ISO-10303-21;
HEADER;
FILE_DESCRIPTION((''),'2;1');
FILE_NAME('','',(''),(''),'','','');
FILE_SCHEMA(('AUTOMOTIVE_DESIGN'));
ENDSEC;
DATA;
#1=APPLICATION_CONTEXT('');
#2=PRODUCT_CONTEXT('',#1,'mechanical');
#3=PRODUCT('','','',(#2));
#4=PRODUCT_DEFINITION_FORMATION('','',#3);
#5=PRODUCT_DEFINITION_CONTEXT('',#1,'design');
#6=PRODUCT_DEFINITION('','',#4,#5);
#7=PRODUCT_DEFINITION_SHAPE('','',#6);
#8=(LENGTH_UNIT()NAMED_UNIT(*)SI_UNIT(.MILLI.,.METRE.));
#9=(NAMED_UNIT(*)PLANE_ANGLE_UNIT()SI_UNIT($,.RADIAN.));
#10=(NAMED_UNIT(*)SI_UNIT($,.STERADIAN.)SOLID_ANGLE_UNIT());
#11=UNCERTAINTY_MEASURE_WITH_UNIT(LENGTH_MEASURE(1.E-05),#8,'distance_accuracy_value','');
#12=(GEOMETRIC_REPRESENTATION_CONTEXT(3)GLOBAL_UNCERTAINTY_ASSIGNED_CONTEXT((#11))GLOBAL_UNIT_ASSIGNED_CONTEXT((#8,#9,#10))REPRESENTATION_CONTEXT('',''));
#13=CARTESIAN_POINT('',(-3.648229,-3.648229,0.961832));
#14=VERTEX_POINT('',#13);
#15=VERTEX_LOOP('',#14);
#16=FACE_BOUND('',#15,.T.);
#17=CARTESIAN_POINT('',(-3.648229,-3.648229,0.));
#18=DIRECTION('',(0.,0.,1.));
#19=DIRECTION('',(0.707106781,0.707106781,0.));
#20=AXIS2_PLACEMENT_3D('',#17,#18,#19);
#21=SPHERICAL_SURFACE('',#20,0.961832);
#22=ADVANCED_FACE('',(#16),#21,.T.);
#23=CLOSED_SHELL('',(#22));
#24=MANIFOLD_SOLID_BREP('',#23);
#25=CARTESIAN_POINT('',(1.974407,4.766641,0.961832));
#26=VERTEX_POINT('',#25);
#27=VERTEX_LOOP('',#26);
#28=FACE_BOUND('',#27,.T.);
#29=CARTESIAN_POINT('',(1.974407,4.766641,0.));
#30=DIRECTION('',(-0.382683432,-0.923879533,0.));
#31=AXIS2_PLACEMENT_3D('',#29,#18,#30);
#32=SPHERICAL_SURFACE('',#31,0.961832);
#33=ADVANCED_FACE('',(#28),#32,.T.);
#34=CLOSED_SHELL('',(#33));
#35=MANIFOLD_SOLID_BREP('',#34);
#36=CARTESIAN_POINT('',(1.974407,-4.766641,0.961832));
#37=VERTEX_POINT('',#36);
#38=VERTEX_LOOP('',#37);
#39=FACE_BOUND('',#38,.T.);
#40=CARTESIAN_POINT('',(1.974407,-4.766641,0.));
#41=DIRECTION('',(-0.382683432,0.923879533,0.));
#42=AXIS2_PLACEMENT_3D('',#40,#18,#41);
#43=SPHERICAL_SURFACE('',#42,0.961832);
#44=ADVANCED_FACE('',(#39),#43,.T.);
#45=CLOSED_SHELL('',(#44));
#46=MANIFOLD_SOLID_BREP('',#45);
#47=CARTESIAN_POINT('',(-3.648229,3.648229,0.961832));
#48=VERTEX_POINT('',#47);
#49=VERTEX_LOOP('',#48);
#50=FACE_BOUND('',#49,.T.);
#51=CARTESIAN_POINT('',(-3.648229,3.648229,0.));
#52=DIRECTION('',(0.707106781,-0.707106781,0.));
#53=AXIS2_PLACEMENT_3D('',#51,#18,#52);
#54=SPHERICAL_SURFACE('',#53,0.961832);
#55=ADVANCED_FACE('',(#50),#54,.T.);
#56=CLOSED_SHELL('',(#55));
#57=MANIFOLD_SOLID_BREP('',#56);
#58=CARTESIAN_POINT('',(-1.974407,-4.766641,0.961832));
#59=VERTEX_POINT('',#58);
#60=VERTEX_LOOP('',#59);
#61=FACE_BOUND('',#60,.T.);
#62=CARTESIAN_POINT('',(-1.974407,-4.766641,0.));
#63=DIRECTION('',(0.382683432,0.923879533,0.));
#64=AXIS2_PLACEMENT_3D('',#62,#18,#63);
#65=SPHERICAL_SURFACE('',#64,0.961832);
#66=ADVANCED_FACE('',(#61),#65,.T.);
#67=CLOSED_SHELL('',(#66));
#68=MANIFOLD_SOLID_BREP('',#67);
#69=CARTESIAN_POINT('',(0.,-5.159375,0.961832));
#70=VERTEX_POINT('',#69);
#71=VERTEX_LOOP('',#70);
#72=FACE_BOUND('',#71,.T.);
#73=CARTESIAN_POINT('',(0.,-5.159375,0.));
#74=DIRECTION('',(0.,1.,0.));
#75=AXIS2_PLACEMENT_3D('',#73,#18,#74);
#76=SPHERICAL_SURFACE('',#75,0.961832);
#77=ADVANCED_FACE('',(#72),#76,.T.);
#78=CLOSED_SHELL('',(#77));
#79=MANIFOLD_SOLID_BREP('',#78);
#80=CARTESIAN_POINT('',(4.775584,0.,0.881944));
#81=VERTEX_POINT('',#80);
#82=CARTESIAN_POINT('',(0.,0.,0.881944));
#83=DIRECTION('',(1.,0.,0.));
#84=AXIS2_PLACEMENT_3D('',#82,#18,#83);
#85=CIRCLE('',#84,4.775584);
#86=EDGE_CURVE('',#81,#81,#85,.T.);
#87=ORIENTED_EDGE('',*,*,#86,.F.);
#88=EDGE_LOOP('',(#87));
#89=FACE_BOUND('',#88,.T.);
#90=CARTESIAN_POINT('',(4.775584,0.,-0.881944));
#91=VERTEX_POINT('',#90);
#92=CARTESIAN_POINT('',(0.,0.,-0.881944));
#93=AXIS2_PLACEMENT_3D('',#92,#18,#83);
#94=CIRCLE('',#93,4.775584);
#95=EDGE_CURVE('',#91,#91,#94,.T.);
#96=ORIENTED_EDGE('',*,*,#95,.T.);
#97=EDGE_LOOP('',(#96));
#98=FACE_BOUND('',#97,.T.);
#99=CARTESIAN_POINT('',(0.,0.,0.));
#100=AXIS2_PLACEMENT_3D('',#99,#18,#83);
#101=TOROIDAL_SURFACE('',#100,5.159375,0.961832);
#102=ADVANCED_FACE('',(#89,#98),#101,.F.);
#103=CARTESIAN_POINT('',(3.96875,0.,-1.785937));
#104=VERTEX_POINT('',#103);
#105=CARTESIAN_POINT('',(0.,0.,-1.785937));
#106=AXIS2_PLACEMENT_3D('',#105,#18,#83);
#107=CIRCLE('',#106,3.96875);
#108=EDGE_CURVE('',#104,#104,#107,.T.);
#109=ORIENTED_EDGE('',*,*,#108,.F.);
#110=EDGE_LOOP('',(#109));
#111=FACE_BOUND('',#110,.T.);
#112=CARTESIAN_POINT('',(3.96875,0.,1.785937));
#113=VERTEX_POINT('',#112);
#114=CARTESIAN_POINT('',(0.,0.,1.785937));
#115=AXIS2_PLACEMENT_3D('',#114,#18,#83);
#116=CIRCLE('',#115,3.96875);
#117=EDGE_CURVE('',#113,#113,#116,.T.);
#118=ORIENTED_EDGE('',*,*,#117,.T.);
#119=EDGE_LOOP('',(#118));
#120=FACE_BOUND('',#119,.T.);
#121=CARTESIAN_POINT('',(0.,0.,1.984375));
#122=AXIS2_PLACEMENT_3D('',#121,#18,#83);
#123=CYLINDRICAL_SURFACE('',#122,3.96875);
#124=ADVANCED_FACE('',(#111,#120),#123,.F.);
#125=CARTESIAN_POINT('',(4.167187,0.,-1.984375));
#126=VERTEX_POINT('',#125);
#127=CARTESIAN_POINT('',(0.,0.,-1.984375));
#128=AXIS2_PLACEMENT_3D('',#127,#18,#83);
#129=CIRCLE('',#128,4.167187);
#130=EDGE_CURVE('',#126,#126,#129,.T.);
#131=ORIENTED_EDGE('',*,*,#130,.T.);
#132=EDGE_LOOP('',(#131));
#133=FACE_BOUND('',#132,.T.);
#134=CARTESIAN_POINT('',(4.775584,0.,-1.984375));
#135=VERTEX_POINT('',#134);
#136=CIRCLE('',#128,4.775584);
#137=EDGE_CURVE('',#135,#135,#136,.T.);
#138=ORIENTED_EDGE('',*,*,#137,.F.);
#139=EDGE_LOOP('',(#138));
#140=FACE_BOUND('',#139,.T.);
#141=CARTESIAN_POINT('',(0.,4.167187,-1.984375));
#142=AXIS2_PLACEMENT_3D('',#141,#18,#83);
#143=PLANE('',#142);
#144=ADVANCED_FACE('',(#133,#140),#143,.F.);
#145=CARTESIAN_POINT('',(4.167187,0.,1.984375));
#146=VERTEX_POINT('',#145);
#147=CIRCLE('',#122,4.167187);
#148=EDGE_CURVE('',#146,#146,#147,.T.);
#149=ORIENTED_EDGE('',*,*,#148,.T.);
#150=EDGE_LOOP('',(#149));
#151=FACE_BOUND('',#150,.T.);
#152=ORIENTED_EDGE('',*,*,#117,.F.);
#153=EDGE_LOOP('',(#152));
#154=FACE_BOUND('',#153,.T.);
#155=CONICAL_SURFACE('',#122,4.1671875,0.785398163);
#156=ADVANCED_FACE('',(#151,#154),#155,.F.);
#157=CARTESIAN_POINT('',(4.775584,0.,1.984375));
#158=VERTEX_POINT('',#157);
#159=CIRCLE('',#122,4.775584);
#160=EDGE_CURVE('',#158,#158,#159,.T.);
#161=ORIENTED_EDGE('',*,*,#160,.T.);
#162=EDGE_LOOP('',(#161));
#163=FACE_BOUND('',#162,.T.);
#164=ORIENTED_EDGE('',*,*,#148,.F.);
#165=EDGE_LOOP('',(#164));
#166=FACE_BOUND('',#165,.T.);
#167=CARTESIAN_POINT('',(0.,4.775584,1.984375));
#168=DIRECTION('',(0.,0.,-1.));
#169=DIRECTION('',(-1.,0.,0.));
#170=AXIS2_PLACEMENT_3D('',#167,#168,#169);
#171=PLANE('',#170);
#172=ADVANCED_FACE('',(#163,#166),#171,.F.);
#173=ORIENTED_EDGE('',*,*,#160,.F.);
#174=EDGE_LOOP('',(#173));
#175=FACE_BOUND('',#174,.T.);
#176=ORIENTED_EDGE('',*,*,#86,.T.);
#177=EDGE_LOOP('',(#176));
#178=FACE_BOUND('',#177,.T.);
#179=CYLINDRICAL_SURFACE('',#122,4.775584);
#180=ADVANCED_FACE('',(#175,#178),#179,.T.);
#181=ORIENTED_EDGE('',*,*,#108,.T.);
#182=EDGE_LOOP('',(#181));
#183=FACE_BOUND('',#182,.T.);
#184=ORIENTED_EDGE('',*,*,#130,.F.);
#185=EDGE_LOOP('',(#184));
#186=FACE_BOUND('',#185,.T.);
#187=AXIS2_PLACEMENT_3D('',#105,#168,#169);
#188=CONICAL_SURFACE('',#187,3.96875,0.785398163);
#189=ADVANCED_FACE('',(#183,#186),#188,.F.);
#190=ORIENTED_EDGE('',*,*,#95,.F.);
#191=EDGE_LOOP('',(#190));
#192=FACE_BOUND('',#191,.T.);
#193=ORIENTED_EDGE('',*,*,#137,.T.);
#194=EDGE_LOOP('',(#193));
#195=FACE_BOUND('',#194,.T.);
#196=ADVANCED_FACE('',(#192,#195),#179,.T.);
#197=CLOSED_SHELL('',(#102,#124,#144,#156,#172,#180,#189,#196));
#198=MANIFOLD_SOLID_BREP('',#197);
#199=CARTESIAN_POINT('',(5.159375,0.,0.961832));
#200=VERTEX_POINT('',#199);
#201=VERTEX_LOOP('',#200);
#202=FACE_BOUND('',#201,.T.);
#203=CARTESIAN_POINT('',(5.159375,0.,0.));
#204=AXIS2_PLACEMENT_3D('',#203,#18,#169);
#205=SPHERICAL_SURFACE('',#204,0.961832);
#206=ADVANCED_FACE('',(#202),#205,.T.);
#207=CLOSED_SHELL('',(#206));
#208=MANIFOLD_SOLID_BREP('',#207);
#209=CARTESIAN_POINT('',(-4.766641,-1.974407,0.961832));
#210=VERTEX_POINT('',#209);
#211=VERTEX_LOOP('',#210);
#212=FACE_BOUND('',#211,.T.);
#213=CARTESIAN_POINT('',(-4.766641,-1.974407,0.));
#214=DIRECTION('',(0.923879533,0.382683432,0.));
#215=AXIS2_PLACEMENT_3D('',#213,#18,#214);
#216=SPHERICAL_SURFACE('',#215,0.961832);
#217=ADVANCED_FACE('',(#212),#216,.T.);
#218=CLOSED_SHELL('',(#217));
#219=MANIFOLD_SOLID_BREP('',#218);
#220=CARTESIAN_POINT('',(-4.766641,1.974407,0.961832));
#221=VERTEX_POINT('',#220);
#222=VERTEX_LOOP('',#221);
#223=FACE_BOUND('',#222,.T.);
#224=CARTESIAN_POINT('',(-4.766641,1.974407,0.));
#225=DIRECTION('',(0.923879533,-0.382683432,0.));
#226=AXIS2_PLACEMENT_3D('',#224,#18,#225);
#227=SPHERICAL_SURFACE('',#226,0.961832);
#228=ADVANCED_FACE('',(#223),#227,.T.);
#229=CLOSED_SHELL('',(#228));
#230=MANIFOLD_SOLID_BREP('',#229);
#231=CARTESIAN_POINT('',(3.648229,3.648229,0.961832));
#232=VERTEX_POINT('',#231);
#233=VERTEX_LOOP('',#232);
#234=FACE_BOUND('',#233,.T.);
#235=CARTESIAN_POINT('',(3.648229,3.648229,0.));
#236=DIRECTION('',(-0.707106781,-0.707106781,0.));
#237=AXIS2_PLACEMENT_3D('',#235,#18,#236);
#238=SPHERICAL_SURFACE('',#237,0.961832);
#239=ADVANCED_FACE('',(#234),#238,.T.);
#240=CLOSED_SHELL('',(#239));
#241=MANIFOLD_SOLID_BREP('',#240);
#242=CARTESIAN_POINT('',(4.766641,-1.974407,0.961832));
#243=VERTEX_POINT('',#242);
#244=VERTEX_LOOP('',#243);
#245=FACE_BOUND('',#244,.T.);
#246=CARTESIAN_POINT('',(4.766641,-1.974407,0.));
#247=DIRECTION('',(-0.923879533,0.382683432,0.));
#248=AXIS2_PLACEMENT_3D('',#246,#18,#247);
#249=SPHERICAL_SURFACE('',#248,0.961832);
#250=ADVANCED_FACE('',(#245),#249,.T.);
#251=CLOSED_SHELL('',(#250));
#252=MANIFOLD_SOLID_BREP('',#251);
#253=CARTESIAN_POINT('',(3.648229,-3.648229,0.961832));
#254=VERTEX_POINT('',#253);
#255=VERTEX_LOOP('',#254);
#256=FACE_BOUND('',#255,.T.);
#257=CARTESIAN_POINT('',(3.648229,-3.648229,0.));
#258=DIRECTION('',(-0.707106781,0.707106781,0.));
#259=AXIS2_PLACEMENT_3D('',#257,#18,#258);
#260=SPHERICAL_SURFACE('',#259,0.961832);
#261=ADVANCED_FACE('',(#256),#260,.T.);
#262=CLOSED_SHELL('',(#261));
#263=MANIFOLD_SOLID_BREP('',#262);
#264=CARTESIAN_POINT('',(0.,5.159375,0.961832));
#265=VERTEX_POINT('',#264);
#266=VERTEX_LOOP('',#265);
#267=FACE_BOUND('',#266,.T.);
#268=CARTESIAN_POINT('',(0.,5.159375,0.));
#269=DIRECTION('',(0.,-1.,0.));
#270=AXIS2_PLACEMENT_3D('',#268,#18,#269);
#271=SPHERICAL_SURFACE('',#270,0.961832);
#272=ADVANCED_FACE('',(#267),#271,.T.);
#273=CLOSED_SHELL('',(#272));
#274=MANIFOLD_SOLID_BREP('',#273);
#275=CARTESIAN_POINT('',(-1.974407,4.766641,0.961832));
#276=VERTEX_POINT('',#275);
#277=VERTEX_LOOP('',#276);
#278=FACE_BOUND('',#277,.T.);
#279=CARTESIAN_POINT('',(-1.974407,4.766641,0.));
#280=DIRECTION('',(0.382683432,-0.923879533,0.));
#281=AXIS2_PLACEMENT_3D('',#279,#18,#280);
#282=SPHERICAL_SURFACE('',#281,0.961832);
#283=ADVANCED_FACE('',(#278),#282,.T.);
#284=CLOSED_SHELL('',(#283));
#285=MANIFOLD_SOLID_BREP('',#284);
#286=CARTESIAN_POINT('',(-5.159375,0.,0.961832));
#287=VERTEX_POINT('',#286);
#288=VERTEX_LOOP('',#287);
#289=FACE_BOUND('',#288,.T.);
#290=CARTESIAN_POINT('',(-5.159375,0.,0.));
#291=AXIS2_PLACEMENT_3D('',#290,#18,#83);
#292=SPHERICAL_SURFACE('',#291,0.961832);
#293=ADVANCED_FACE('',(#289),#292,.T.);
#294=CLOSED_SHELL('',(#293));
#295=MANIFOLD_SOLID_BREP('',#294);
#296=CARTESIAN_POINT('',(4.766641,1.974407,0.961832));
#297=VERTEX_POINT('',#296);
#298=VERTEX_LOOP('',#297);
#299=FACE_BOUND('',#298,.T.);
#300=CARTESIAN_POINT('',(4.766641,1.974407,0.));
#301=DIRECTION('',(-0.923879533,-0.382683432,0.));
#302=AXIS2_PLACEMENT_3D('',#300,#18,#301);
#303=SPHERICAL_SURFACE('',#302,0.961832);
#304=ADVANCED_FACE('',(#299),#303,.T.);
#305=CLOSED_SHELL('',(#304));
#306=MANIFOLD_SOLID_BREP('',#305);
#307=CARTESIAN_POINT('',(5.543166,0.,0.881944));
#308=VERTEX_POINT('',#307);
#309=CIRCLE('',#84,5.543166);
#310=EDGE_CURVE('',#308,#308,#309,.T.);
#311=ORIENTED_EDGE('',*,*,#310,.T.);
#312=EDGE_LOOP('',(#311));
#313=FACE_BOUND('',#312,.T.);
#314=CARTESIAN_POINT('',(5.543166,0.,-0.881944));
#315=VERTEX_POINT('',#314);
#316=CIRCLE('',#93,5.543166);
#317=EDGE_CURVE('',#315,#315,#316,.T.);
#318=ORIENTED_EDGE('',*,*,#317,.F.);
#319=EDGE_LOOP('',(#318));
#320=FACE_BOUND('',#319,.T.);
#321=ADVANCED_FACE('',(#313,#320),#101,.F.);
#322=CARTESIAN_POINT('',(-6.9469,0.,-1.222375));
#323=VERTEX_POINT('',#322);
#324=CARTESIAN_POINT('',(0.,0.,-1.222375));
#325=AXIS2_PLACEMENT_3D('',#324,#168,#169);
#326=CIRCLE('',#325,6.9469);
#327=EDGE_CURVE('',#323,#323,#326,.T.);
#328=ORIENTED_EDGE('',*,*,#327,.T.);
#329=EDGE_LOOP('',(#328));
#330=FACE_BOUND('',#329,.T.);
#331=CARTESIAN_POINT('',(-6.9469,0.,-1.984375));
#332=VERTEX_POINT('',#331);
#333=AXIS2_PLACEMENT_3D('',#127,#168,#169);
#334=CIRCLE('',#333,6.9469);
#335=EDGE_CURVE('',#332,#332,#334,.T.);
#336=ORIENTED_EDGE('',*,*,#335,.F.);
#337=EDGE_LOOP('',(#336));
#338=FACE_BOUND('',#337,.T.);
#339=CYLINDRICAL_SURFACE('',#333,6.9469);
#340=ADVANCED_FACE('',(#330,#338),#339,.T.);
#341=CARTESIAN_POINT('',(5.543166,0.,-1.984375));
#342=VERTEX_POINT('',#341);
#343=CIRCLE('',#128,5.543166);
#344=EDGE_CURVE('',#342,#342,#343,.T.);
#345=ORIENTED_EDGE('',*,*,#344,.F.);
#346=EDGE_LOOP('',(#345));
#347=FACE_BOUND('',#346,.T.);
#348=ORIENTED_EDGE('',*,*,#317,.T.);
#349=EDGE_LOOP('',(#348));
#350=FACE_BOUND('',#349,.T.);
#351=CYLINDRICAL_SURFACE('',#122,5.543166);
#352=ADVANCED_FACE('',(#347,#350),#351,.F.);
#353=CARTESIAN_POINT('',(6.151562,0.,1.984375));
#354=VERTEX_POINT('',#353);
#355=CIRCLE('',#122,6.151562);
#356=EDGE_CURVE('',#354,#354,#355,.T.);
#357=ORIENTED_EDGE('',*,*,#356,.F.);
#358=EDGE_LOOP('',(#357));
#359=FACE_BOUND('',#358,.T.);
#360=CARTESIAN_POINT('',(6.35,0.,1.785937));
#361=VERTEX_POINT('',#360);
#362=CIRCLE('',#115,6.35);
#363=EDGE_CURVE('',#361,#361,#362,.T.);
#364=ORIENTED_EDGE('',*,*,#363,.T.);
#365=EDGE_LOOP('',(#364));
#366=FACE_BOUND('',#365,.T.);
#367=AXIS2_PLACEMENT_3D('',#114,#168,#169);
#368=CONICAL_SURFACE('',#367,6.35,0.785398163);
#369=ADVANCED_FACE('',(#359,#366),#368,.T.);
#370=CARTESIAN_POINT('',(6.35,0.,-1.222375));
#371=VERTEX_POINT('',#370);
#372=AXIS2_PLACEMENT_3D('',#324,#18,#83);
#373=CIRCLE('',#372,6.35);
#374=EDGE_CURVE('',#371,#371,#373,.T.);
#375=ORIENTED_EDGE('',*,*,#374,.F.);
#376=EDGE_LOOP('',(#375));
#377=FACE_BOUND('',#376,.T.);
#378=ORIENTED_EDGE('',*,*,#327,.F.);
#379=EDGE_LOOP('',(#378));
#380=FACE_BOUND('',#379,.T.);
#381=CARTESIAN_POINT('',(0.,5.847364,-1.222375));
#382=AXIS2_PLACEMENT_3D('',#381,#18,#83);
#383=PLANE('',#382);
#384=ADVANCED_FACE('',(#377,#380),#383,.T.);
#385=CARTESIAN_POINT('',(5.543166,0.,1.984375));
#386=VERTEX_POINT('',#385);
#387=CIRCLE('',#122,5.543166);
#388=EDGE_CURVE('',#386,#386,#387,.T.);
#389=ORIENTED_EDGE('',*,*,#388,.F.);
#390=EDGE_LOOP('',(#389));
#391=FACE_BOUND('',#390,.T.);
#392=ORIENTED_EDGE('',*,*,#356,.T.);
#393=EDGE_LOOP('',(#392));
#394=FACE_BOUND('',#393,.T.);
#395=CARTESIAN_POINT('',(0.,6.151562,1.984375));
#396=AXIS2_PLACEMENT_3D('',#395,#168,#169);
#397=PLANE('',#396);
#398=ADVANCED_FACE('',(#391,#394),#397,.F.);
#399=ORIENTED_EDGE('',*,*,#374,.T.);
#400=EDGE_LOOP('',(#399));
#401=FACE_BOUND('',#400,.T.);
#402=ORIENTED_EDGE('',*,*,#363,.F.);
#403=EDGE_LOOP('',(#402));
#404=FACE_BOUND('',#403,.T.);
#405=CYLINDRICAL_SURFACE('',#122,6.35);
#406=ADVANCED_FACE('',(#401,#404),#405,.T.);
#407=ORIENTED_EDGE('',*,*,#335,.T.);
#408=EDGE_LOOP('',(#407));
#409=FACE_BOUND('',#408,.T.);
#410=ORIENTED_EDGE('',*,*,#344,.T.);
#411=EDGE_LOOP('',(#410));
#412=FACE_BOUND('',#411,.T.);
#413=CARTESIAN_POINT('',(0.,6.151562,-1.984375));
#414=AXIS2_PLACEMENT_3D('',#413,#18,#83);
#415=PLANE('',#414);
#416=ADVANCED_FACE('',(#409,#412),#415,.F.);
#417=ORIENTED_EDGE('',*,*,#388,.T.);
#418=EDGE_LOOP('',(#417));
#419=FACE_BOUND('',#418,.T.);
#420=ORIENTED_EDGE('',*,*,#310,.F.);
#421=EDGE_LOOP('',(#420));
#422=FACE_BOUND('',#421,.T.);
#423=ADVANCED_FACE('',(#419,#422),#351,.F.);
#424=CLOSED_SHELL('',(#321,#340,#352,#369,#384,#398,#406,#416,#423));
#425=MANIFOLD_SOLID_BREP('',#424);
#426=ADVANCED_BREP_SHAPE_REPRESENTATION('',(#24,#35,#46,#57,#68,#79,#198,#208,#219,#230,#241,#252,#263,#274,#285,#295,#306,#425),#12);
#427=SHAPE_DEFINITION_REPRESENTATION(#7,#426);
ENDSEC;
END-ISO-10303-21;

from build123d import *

# Parameters (mm, degrees)
SKETCH5_W         = 0.762
SKETCH5_H         = 1.099535646
CIRPATTERN1_COUNT = 16


with BuildPart() as part:
    # Sketch1 → Revolve1 (revolve)
    with BuildSketch(Plane(origin=(0, 0, 0), x_dir=(0, 0, -1), z_dir=(1, 0, 0))):
        with BuildLine():
            Line((1.7859375, 6.35), (-1.7859375, 6.35))
            Line((-1.7859375, 6.35), (-1.984375, 6.1515625))
            Line((-1.984375, 6.1515625), (-1.984375, 5.543166209))
            Line((-1.984375, 5.543166209), (-0.881944444, 5.543166209))
            ThreePointArc((-0.881944444, 5.543166209), (0, 6.121207467), (0.881944444, 5.543166209))
            Line((0.881944444, 5.543166209), (1.984375, 5.543166209))
            Line((1.984375, 5.543166209), (1.984375, 6.1515625))
            Line((1.984375, 6.1515625), (1.7859375, 6.35))
        make_face()
    revolve(axis=Axis((0, 0, 1.984375), (0, 0, -1)))

    # Sketch5 → Revolve5 (revolve)
    with BuildSketch(Plane(origin=(0, 0, 0), x_dir=(0, 0, -1), z_dir=(1, 0, 0))):
        with Locations((1.603375, 6.397132177)):
            Rectangle(SKETCH5_W, SKETCH5_H)
    revolve(axis=Axis((0, 0, -1.984375), (0, 0, 1)))


with BuildPart() as body_2:
    # Sketch3 → Revolve3 (revolve)
    with BuildSketch(Plane(origin=(0, 0, 0), x_dir=(0, 0, -1), z_dir=(1, 0, 0))):
        with BuildLine():
            Line((-0.881944444, 4.775583791), (-1.984375, 4.775583791))
            Line((-1.984375, 4.775583791), (-1.984375, 4.1671875))
            Line((-1.984375, 4.1671875), (-1.7859375, 3.96875))
            Line((-1.7859375, 3.96875), (1.7859375, 3.96875))
            Line((1.7859375, 3.96875), (1.984375, 4.1671875))
            Line((1.984375, 4.1671875), (1.984375, 4.775583791))
            Line((1.984375, 4.775583791), (0.881944444, 4.775583791))
            ThreePointArc((0.881944444, 4.775583791), (0, 4.197542533), (-0.881944444, 4.775583791))
        make_face()
    revolve(axis=Axis((0, 0, 1.984375), (0, 0, -1)))


with BuildPart() as body_3:
    # Sketch4 → Revolve4 (revolve)
    with BuildSketch(Plane(origin=(0, 0, 0), x_dir=(0, 0, -1), z_dir=(1, 0, 0))):
        with BuildLine():
            Line((-0.961832467, 5.159375), (0.961832467, 5.159375))
            ThreePointArc((0.961832467, 5.159375), (0, 6.121207467), (-0.961832467, 5.159375))
        make_face()
    revolve(axis=Axis((0, 5.159375, 0.961832467), (0, 0, -1)))


with BuildPart() as cirpattern1_1:
    # CirPattern1: pattern copy
    add(body_3.part.rotate(Axis((0, 0, -1.984375), (0, 0, 1)), 1 * 360 / CIRPATTERN1_COUNT))


with BuildPart() as cirpattern1_2:
    # CirPattern1: pattern copy
    add(body_3.part.rotate(Axis((0, 0, -1.984375), (0, 0, 1)), 2 * 360 / CIRPATTERN1_COUNT))


with BuildPart() as cirpattern1_3:
    # CirPattern1: pattern copy
    add(body_3.part.rotate(Axis((0, 0, -1.984375), (0, 0, 1)), 3 * 360 / CIRPATTERN1_COUNT))


with BuildPart() as cirpattern1_4:
    # CirPattern1: pattern copy
    add(body_3.part.rotate(Axis((0, 0, -1.984375), (0, 0, 1)), 4 * 360 / CIRPATTERN1_COUNT))


with BuildPart() as cirpattern1_5:
    # CirPattern1: pattern copy
    add(body_3.part.rotate(Axis((0, 0, -1.984375), (0, 0, 1)), 5 * 360 / CIRPATTERN1_COUNT))


with BuildPart() as cirpattern1_6:
    # CirPattern1: pattern copy
    add(body_3.part.rotate(Axis((0, 0, -1.984375), (0, 0, 1)), 6 * 360 / CIRPATTERN1_COUNT))


with BuildPart() as cirpattern1_7:
    # CirPattern1: pattern copy
    add(body_3.part.rotate(Axis((0, 0, -1.984375), (0, 0, 1)), 7 * 360 / CIRPATTERN1_COUNT))


with BuildPart() as cirpattern1_8:
    # CirPattern1: pattern copy
    add(body_3.part.rotate(Axis((0, 0, -1.984375), (0, 0, 1)), 8 * 360 / CIRPATTERN1_COUNT))


with BuildPart() as cirpattern1_9:
    # CirPattern1: pattern copy
    add(body_3.part.rotate(Axis((0, 0, -1.984375), (0, 0, 1)), 9 * 360 / CIRPATTERN1_COUNT))


with BuildPart() as cirpattern1_10:
    # CirPattern1: pattern copy
    add(body_3.part.rotate(Axis((0, 0, -1.984375), (0, 0, 1)), 10 * 360 / CIRPATTERN1_COUNT))


with BuildPart() as cirpattern1_11:
    # CirPattern1: pattern copy
    add(body_3.part.rotate(Axis((0, 0, -1.984375), (0, 0, 1)), 11 * 360 / CIRPATTERN1_COUNT))


with BuildPart() as cirpattern1_12:
    # CirPattern1: pattern copy
    add(body_3.part.rotate(Axis((0, 0, -1.984375), (0, 0, 1)), 12 * 360 / CIRPATTERN1_COUNT))


with BuildPart() as cirpattern1_13:
    # CirPattern1: pattern copy
    add(body_3.part.rotate(Axis((0, 0, -1.984375), (0, 0, 1)), 13 * 360 / CIRPATTERN1_COUNT))


with BuildPart() as cirpattern1_14:
    # CirPattern1: pattern copy
    add(body_3.part.rotate(Axis((0, 0, -1.984375), (0, 0, 1)), 14 * 360 / CIRPATTERN1_COUNT))


with BuildPart() as cirpattern1_15:
    # CirPattern1: pattern copy
    add(body_3.part.rotate(Axis((0, 0, -1.984375), (0, 0, 1)), 15 * 360 / CIRPATTERN1_COUNT))


solid = Compound([part.part, body_2.part, body_3.part, cirpattern1_1.part, cirpattern1_2.part, cirpattern1_3.part, cirpattern1_4.part, cirpattern1_5.part, cirpattern1_6.part, cirpattern1_7.part, cirpattern1_8.part, cirpattern1_9.part, cirpattern1_10.part, cirpattern1_11.part, cirpattern1_12.part, cirpattern1_13.part, cirpattern1_14.part, cirpattern1_15.part])
